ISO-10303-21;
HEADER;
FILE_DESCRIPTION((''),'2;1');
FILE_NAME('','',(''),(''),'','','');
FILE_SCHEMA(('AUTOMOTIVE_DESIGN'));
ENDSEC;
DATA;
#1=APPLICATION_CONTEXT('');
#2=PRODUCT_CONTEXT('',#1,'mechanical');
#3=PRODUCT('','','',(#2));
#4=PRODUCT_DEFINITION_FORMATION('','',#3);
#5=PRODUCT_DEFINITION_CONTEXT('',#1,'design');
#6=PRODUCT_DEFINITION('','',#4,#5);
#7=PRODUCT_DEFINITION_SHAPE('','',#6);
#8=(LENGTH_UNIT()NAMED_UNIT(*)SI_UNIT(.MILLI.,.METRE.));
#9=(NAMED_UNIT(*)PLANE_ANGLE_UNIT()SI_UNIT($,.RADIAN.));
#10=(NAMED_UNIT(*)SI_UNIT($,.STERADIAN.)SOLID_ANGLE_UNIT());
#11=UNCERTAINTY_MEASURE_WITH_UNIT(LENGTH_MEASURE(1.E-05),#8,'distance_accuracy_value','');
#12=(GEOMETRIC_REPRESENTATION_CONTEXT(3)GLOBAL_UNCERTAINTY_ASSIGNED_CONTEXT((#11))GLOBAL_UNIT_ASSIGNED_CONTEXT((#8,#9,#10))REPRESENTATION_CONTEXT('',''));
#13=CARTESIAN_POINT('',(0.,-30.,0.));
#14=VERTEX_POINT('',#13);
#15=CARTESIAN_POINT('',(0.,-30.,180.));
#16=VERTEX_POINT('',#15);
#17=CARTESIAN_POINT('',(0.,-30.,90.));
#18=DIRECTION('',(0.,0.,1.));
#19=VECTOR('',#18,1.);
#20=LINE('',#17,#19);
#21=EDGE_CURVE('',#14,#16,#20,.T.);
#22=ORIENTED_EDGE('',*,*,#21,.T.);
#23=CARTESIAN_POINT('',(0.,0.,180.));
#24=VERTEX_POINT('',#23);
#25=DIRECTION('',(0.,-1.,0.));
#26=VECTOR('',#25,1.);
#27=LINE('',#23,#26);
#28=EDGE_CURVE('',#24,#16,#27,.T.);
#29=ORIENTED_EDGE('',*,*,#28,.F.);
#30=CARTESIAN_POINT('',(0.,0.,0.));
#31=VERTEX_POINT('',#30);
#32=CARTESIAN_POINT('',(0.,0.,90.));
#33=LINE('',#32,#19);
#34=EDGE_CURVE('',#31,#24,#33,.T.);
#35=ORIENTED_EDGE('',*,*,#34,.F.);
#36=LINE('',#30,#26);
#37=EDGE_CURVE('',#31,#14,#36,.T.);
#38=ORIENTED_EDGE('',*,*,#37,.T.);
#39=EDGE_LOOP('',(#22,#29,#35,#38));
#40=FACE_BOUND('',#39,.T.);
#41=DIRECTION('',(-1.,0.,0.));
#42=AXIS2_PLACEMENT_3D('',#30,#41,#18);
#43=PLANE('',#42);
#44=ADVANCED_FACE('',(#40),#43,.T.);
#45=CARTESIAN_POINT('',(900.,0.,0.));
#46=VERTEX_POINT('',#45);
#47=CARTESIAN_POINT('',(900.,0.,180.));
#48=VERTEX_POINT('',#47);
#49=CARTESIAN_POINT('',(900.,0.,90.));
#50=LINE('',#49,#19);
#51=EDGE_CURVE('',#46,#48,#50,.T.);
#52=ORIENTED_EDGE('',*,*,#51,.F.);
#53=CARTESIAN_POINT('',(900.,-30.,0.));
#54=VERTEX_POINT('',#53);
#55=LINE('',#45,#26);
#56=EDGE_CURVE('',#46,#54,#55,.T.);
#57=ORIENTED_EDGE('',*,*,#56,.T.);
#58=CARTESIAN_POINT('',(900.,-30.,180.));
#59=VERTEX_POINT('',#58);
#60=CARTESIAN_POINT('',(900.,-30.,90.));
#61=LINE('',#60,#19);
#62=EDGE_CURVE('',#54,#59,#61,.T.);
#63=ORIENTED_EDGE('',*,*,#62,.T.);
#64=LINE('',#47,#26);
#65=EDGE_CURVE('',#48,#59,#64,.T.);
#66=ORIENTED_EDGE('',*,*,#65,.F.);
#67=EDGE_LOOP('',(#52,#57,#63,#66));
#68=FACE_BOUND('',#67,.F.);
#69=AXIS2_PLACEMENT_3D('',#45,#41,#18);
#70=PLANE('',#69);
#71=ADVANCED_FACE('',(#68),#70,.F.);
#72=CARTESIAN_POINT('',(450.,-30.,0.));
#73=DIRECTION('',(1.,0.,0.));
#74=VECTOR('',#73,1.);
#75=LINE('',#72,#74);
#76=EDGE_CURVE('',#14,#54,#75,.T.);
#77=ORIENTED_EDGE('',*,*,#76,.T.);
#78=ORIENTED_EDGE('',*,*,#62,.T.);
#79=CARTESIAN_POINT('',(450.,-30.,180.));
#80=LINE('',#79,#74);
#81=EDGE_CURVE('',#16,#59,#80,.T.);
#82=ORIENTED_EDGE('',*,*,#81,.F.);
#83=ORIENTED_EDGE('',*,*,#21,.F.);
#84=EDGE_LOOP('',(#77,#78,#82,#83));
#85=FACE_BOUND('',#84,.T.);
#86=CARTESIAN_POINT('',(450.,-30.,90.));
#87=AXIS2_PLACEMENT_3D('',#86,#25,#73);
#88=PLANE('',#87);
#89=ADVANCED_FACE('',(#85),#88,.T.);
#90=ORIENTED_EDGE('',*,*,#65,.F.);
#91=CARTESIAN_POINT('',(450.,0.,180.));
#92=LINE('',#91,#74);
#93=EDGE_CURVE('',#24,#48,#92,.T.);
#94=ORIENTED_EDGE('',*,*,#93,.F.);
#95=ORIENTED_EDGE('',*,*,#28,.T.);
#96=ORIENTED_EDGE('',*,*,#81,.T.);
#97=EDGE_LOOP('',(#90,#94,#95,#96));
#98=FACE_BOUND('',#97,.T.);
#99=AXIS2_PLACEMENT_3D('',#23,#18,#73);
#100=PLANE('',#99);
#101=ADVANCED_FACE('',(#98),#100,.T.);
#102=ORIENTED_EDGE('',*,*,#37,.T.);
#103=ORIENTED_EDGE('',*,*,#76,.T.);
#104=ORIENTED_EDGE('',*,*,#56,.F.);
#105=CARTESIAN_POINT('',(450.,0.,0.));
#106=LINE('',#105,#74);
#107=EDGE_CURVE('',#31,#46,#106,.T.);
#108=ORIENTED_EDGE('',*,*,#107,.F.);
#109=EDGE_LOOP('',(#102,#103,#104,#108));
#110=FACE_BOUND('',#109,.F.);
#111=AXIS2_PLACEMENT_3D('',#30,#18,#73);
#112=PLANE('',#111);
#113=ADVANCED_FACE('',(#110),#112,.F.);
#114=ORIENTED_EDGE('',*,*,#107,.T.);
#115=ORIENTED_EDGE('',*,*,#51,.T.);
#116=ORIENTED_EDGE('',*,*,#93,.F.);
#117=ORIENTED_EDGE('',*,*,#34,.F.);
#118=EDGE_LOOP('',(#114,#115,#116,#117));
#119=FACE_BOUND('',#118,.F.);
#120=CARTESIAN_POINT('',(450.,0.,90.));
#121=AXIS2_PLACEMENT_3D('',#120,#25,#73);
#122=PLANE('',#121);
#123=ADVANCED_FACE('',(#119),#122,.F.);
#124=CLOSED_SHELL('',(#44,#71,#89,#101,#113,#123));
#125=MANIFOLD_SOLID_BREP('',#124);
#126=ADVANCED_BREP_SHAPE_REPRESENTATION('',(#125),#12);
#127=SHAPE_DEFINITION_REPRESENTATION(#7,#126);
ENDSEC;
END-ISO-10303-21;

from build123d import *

# Parameters (mm, degrees)
SKETCH_W  = 900
SKETCH_H  = 180
PAD_DEPTH = 30


with BuildPart() as part:
    # Sketch → Pad (new body)
    with BuildSketch(Plane.XZ):
        with Locations((450, 90)):
            Rectangle(SKETCH_W, SKETCH_H)
    extrude(amount=PAD_DEPTH)


solid = part.part
